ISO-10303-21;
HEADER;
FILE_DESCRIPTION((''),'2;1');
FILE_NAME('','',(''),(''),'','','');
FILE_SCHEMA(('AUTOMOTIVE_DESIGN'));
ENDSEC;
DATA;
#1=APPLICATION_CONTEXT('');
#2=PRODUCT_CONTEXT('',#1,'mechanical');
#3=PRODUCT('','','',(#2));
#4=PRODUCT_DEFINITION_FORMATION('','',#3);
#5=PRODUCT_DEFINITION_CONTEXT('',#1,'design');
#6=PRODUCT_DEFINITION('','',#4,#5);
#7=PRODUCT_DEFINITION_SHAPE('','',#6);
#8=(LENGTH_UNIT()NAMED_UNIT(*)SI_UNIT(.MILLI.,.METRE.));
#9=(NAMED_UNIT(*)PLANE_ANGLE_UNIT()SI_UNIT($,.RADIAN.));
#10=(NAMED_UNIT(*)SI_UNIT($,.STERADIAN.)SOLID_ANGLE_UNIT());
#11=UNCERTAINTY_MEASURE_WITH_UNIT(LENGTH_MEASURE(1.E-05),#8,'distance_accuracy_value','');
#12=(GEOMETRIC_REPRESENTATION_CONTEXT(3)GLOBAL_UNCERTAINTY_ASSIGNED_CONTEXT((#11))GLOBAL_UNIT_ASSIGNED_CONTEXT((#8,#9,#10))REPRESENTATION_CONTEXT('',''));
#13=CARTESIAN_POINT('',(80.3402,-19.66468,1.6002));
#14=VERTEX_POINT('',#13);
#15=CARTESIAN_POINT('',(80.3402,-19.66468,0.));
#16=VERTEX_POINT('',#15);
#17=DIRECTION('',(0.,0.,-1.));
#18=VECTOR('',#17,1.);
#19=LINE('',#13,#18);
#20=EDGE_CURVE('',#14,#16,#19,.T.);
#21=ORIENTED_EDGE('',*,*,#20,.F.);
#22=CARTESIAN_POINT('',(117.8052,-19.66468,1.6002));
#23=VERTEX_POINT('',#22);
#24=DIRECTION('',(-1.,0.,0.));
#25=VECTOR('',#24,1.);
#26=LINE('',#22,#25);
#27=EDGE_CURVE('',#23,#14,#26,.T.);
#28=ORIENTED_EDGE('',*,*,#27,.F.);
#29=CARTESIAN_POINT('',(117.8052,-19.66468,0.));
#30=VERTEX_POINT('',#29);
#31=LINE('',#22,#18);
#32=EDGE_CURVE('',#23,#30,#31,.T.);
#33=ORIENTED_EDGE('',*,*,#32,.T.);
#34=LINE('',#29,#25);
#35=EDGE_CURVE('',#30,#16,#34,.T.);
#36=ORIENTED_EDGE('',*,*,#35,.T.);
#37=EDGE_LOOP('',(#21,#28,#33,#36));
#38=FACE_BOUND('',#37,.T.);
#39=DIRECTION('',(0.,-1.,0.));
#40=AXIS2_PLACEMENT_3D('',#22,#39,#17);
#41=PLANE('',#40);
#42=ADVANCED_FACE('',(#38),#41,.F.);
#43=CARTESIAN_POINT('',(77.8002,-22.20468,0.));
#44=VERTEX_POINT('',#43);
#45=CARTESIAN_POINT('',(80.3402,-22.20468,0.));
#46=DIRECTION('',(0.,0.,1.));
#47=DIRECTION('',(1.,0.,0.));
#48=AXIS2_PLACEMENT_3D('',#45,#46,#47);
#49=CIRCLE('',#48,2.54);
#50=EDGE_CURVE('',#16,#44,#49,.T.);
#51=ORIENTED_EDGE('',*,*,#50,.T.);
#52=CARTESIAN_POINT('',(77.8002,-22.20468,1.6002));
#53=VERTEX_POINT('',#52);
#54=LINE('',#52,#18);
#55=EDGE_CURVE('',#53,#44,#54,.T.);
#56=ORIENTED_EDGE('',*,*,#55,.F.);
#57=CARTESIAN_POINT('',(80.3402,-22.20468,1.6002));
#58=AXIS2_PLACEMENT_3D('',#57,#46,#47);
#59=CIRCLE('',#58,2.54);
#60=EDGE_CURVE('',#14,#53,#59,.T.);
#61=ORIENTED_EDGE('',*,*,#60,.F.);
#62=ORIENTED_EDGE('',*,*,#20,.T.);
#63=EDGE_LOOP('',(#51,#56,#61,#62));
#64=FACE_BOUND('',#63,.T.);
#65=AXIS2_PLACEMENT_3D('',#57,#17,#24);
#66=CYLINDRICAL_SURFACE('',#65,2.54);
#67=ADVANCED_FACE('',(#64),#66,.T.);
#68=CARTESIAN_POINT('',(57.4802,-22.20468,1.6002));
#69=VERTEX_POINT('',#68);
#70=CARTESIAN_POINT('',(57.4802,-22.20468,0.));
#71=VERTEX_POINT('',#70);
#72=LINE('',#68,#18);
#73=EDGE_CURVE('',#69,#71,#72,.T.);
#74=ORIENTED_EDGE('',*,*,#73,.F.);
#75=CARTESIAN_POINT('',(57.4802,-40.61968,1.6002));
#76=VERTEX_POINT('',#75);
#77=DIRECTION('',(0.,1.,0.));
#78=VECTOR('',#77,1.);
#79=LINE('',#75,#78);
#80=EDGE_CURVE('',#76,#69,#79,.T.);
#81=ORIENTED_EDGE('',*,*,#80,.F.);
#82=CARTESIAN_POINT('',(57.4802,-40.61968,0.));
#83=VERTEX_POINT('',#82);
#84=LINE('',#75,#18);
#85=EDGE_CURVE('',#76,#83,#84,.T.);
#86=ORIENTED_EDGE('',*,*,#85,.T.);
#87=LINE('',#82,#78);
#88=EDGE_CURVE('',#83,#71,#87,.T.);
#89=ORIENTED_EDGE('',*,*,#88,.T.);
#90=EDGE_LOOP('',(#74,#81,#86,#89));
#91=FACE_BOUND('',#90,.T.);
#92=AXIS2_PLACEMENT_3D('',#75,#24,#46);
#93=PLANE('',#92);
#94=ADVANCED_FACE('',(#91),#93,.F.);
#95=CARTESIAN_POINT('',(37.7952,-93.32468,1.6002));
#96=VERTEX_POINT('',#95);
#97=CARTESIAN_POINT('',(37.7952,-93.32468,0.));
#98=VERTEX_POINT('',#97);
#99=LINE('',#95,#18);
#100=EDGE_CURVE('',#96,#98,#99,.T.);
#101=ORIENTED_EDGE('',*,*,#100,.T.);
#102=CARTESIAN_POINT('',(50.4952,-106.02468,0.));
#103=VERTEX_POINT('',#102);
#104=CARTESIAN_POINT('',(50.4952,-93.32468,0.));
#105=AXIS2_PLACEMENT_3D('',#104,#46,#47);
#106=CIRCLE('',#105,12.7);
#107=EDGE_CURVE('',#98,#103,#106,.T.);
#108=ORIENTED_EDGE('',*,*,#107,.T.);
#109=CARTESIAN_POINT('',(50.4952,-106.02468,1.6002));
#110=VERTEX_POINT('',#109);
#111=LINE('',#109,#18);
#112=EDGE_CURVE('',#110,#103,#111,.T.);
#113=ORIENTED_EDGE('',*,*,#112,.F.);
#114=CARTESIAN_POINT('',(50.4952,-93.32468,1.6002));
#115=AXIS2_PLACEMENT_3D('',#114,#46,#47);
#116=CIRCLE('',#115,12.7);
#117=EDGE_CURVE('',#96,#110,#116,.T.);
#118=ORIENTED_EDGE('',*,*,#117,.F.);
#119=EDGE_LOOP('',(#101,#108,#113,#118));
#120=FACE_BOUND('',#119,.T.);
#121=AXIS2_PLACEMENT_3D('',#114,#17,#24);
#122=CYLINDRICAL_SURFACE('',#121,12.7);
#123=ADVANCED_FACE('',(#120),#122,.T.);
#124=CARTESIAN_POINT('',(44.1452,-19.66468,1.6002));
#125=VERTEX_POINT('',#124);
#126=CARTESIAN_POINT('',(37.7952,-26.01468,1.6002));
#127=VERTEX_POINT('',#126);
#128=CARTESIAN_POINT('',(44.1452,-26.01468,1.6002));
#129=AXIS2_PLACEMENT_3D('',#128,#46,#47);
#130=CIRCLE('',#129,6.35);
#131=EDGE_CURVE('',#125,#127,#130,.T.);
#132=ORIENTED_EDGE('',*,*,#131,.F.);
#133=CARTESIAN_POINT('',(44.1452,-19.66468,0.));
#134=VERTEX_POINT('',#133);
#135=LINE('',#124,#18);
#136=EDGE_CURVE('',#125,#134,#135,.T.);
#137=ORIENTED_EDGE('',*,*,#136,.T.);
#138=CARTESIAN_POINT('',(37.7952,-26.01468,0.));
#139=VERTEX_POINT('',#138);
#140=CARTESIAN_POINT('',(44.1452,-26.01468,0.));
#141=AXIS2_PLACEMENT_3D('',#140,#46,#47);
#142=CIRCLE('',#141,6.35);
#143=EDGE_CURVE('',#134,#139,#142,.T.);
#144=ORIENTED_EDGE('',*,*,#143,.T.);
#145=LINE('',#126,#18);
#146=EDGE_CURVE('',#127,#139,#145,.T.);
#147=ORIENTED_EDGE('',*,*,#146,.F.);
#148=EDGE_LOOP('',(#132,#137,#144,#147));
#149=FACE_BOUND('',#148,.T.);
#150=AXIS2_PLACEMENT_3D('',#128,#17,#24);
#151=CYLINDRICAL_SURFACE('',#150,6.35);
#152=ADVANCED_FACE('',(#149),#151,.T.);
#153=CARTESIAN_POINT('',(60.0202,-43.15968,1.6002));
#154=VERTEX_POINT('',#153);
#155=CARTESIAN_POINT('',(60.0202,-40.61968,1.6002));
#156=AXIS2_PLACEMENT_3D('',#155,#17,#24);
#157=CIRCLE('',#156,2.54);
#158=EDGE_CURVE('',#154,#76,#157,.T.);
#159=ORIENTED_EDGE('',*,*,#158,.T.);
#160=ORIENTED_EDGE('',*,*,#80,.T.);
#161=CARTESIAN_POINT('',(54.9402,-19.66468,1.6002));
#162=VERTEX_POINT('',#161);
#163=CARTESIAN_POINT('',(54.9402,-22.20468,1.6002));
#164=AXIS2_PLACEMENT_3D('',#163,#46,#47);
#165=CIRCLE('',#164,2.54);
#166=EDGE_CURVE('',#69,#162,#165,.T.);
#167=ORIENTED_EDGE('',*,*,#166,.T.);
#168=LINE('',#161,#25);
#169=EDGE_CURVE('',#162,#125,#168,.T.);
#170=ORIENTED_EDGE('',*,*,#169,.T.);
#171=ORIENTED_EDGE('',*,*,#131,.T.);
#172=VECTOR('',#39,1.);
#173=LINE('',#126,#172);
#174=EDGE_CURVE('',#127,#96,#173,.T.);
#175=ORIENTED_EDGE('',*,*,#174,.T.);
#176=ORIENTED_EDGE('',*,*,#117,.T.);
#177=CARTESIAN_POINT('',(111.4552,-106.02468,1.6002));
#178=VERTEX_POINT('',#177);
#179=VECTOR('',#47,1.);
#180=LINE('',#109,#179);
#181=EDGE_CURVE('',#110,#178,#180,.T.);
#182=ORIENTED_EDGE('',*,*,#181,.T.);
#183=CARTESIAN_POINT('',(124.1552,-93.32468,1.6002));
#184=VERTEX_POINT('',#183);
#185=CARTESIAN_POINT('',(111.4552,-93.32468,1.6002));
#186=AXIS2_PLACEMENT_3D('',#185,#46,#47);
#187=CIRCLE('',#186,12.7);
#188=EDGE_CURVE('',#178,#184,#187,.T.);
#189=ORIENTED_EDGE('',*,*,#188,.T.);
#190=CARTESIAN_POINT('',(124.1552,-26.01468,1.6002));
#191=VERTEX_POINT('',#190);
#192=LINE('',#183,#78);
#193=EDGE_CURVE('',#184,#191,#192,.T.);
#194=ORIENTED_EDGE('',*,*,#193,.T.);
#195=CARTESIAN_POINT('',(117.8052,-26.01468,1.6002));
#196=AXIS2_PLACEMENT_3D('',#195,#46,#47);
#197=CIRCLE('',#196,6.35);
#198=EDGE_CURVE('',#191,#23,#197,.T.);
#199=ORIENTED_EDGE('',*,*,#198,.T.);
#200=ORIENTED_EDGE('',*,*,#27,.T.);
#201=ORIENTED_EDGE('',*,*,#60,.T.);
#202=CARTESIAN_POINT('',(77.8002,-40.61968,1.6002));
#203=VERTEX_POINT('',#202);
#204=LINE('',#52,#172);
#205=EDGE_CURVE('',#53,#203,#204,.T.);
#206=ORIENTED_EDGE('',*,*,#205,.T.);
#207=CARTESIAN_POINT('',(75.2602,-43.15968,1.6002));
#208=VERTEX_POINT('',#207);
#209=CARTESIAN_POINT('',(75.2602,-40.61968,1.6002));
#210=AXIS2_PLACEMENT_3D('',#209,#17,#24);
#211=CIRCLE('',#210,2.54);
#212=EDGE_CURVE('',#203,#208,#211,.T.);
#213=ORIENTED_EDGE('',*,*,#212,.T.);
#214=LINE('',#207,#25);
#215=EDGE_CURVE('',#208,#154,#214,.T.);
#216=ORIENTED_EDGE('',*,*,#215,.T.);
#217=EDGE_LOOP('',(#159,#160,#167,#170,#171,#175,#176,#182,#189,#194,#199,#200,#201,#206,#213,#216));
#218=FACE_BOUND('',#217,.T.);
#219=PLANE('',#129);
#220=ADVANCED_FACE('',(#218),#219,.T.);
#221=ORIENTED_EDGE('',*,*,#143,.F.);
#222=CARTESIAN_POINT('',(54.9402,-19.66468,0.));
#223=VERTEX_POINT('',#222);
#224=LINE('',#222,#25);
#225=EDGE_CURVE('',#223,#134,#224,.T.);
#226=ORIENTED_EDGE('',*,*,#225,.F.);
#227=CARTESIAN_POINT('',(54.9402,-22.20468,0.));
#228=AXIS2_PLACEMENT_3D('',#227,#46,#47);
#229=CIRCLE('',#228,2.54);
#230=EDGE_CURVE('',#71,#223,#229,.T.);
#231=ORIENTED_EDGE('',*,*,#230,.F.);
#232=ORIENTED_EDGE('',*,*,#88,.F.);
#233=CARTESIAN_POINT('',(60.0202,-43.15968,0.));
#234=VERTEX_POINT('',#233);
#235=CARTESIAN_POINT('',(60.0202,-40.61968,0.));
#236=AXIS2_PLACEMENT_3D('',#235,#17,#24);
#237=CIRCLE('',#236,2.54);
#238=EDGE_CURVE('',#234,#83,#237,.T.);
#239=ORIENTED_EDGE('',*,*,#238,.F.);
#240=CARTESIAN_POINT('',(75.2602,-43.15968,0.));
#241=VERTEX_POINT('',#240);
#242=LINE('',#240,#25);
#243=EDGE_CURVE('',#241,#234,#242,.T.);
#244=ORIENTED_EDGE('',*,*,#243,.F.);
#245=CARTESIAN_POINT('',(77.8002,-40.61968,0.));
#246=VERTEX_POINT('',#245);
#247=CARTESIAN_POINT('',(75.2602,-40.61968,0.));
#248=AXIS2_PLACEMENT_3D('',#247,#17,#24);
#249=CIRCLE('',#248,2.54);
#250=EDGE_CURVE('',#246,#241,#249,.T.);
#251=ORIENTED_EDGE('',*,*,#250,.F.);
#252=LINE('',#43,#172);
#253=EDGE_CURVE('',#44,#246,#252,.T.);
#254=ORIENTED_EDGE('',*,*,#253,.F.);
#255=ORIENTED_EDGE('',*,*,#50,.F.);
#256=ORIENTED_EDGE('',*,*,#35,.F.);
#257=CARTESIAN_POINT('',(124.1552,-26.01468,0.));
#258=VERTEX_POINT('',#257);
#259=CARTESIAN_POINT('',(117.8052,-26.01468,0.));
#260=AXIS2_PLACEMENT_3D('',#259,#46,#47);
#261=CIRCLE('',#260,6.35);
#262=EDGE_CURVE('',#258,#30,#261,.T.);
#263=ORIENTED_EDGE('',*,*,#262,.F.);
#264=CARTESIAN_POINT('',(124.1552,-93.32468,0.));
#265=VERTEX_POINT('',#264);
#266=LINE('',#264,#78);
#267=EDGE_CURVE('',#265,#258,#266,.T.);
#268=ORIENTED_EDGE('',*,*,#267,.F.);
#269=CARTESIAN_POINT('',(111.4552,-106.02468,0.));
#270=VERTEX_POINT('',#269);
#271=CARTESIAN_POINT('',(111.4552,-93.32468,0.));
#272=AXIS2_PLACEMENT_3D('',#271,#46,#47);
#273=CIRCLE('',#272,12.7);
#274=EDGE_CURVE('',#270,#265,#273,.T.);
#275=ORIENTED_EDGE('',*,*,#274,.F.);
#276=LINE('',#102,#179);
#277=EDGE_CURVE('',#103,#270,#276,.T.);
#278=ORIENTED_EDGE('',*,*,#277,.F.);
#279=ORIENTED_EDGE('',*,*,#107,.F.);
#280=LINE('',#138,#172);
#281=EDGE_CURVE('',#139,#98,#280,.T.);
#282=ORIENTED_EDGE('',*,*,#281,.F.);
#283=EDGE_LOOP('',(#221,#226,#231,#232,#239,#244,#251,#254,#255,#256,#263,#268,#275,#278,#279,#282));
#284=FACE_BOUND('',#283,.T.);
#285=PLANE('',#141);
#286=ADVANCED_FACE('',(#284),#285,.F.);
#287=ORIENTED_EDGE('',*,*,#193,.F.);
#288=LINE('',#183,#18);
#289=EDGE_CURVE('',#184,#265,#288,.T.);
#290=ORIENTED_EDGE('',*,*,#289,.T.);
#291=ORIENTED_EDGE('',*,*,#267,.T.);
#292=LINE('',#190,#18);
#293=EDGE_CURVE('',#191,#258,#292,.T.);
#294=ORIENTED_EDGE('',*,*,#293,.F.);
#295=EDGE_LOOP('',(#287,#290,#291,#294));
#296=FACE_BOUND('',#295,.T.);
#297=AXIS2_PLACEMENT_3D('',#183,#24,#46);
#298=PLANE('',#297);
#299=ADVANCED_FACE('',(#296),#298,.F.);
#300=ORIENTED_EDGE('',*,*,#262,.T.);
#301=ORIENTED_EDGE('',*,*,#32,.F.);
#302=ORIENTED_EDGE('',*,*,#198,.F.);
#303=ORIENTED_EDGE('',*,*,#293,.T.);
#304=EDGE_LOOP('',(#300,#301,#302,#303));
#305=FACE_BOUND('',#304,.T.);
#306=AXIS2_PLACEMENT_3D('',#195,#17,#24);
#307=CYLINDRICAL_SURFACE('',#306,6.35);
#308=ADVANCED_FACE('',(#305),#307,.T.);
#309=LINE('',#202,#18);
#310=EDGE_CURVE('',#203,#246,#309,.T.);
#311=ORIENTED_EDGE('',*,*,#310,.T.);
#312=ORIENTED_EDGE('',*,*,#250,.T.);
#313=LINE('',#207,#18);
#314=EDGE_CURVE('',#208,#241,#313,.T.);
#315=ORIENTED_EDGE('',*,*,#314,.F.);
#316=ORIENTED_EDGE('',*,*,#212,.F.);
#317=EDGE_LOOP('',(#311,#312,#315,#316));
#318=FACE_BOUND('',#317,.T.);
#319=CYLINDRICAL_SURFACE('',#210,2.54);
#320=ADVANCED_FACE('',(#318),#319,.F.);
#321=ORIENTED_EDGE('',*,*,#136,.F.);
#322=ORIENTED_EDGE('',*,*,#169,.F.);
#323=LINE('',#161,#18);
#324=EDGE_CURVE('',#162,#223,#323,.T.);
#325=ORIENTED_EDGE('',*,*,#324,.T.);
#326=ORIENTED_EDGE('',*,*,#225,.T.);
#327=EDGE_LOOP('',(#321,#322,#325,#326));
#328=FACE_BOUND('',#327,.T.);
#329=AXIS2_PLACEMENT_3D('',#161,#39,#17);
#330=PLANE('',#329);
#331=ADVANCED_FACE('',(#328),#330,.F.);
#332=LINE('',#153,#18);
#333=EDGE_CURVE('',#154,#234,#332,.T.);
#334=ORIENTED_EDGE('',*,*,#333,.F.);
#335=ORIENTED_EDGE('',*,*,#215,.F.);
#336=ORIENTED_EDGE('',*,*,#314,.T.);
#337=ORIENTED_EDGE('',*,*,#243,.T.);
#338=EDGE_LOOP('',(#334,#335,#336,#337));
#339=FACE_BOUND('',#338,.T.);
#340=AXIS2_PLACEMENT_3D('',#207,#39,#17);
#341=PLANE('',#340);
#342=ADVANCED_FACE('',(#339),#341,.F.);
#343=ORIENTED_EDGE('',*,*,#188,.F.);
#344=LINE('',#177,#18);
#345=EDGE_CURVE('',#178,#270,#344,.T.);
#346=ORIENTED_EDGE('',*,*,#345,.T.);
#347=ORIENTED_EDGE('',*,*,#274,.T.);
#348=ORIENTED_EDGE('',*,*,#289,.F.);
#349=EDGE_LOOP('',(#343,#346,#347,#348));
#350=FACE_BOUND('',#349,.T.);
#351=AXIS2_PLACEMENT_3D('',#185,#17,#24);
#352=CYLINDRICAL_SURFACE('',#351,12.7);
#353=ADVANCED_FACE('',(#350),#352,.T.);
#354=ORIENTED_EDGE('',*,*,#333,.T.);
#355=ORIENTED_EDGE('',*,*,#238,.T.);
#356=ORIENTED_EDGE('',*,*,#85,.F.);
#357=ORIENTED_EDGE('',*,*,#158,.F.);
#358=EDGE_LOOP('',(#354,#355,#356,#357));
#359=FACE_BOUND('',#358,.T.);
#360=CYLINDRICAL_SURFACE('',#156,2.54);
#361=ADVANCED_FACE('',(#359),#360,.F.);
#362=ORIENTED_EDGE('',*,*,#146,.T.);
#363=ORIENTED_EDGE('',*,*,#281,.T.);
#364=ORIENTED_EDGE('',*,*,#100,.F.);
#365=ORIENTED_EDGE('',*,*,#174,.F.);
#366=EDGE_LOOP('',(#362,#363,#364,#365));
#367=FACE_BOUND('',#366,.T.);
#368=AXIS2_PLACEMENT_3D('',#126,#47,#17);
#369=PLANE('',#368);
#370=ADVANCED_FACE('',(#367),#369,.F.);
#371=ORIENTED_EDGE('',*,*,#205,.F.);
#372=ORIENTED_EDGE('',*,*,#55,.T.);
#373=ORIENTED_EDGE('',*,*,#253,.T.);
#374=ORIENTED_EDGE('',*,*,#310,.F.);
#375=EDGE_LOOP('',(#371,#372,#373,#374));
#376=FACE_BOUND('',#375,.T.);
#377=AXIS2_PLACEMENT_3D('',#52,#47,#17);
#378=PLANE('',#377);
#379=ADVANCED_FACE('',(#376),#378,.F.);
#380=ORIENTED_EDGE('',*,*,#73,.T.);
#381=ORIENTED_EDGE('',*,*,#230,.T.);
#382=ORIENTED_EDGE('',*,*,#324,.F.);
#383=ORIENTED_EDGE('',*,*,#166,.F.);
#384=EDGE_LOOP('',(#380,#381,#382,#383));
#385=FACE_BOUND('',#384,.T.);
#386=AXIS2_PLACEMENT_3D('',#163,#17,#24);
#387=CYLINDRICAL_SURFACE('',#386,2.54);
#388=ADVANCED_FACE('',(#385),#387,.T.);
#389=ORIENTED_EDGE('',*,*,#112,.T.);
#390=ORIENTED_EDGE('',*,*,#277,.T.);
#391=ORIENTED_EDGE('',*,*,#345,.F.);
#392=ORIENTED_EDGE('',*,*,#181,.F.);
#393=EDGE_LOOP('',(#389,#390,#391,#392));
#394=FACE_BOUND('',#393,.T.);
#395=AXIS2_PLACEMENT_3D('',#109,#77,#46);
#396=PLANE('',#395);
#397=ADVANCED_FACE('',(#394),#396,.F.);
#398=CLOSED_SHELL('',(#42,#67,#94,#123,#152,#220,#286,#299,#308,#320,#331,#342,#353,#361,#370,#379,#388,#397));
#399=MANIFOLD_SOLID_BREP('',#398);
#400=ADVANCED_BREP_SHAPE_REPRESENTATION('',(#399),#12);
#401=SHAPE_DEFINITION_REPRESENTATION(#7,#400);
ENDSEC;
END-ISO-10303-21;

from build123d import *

# Parameters (mm, degrees)
BOARD_DEPTH = 1.6002


with BuildPart() as part:
    # Sketch1 → BOARD (new body)
    with BuildSketch(Plane.XY):
        with BuildLine():
            Line((37.7952, -26.01468), (37.7952, -93.32468))
            ThreePointArc((37.7952, -93.32468), (41.514943879, -102.304936121), (50.4952, -106.02468))
            Line((50.4952, -106.02468), (111.4552, -106.02468))
            ThreePointArc((111.4552, -106.02468), (120.435456121, -102.304936121), (124.1552, -93.32468))
            Line((124.1552, -93.32468), (124.1552, -26.01468))
            ThreePointArc((124.1552, -26.01468), (122.295328061, -21.524551939), (117.8052, -19.66468))
            Line((117.8052, -19.66468), (80.3402, -19.66468))
            ThreePointArc((80.3402, -19.66468), (78.544148776, -20.408628776), (77.8002, -22.20468))
            Line((77.8002, -22.20468), (77.8002, -40.61968))
            ThreePointArc((77.8002, -40.61968), (77.056251224, -42.415731224), (75.2602, -43.15968))
            Line((75.2602, -43.15968), (60.0202, -43.15968))
            ThreePointArc((60.0202, -43.15968), (58.224148776, -42.415731224), (57.4802, -40.61968))
            Line((57.4802, -40.61968), (57.4802, -22.20468))
            ThreePointArc((57.4802, -22.20468), (56.736251224, -20.408628776), (54.9402, -19.66468))
            Line((54.9402, -19.66468), (44.1452, -19.66468))
            ThreePointArc((44.1452, -19.66468), (39.655071939, -21.524551939), (37.7952, -26.01468))
        make_face()
    extrude(amount=BOARD_DEPTH)


solid = part.part
